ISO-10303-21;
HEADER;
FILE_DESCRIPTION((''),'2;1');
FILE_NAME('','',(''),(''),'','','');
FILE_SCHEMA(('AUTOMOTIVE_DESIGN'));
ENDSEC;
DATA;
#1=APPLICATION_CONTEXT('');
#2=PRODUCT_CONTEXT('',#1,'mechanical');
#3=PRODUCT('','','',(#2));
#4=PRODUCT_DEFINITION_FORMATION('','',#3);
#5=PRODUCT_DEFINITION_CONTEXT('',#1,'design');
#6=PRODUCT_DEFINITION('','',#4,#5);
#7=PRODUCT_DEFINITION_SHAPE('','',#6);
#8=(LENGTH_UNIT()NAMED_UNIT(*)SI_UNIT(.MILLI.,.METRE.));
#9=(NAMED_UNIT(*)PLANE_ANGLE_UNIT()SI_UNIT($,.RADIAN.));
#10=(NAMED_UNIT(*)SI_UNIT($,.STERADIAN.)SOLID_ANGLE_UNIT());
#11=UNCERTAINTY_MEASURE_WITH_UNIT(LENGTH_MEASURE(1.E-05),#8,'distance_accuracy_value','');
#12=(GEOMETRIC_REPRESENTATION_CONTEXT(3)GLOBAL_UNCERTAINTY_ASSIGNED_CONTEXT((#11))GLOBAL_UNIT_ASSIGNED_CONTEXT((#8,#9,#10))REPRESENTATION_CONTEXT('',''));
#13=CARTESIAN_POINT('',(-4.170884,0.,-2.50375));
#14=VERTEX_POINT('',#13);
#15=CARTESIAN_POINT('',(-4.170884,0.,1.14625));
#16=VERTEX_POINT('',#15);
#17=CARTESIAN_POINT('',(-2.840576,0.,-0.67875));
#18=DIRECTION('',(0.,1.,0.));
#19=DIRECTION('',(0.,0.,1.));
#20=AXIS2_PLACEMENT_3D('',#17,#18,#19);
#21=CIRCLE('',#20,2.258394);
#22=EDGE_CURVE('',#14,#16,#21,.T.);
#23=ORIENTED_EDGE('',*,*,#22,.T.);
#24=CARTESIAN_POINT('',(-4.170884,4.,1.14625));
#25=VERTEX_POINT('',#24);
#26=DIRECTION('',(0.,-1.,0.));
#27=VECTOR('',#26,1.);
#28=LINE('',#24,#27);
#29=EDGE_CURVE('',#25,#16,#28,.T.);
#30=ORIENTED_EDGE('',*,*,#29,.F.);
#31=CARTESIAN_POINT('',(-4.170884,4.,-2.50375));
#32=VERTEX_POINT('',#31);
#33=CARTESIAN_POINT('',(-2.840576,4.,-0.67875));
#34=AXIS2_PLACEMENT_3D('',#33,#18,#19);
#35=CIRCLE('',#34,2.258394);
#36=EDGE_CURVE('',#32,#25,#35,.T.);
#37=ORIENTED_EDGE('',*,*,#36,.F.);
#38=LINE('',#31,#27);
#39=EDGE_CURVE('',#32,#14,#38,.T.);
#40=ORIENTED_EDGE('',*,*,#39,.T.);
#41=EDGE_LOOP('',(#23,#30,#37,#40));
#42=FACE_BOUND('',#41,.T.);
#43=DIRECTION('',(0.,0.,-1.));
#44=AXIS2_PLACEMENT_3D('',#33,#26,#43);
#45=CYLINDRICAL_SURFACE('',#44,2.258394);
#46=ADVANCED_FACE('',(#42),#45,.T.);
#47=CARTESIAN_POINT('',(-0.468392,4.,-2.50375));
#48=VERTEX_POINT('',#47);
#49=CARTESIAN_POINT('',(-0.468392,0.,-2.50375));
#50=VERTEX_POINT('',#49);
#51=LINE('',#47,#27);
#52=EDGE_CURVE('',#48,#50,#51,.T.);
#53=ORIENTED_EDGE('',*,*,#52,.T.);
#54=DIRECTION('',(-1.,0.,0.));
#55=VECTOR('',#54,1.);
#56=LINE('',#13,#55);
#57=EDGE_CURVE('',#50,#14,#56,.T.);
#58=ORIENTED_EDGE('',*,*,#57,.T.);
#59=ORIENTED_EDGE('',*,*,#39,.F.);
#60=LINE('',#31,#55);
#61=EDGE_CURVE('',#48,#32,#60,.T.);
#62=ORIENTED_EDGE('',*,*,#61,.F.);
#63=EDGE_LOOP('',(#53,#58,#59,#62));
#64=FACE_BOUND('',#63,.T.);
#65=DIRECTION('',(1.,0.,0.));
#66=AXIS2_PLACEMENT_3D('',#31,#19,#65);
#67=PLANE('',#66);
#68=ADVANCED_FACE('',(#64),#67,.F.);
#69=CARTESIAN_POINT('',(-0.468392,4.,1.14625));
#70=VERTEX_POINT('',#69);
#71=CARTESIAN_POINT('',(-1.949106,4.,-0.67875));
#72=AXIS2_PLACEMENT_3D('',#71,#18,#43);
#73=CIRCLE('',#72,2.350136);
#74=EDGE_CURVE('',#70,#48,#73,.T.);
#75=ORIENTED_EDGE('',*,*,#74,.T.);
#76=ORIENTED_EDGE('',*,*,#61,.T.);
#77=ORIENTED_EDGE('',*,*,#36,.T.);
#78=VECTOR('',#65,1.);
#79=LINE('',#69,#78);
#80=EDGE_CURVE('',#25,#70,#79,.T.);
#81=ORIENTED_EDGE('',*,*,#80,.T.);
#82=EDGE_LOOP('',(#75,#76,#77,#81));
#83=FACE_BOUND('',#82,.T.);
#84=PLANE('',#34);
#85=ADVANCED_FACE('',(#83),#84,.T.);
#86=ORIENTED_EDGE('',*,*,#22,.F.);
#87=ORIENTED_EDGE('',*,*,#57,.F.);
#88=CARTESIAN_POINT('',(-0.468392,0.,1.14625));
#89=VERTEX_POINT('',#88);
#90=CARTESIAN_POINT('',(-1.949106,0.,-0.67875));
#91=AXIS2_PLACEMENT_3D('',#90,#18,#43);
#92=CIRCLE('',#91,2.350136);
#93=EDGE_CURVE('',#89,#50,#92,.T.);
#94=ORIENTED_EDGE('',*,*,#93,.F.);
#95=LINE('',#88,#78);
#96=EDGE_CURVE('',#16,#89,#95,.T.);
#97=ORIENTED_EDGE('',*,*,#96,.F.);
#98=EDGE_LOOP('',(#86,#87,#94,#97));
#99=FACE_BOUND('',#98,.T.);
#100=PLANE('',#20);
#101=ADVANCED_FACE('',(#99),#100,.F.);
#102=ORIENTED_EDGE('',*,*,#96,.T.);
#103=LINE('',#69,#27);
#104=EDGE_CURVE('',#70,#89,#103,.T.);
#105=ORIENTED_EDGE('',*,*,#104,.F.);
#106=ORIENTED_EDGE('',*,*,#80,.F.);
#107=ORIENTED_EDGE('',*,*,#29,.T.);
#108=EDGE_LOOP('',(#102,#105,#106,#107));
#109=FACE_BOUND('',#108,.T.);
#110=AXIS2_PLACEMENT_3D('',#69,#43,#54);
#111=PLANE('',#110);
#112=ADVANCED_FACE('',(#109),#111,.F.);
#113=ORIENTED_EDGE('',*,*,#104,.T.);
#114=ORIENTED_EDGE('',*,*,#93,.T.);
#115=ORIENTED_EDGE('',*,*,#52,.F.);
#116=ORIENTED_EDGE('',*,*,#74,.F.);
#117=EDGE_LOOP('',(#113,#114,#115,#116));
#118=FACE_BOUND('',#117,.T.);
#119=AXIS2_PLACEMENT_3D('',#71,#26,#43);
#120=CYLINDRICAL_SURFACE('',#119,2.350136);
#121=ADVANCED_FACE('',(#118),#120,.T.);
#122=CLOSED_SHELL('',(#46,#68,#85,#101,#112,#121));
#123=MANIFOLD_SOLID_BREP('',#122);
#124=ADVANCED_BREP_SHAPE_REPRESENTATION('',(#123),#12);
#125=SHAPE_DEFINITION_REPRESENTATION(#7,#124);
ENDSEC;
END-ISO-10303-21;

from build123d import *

# Parameters (mm, degrees)
BOSS_EXTRUDE1_DEPTH = 4


with BuildPart() as part:
    # Sketch3 → Boss-Extrude1 (new body)
    with BuildSketch(Plane(origin=(0, 0, 0), x_dir=(1, 0, 0), z_dir=(0, 1, 0))):
        with BuildLine():
            Line((-4.170883571, 2.503750098), (-0.468391857, 2.503750098))
            ThreePointArc((-0.468391857, 2.503750098), (0.401030092, 0.678750098), (-0.468391857, -1.146249902))
            Line((-0.468391857, -1.146249902), (-4.170883571, -1.146249902))
            ThreePointArc((-4.170883571, -1.146249902), (-5.098969908, 0.678750098), (-4.170883571, 2.503750098))
        make_face()
    extrude(amount=BOSS_EXTRUDE1_DEPTH)


solid = part.part
